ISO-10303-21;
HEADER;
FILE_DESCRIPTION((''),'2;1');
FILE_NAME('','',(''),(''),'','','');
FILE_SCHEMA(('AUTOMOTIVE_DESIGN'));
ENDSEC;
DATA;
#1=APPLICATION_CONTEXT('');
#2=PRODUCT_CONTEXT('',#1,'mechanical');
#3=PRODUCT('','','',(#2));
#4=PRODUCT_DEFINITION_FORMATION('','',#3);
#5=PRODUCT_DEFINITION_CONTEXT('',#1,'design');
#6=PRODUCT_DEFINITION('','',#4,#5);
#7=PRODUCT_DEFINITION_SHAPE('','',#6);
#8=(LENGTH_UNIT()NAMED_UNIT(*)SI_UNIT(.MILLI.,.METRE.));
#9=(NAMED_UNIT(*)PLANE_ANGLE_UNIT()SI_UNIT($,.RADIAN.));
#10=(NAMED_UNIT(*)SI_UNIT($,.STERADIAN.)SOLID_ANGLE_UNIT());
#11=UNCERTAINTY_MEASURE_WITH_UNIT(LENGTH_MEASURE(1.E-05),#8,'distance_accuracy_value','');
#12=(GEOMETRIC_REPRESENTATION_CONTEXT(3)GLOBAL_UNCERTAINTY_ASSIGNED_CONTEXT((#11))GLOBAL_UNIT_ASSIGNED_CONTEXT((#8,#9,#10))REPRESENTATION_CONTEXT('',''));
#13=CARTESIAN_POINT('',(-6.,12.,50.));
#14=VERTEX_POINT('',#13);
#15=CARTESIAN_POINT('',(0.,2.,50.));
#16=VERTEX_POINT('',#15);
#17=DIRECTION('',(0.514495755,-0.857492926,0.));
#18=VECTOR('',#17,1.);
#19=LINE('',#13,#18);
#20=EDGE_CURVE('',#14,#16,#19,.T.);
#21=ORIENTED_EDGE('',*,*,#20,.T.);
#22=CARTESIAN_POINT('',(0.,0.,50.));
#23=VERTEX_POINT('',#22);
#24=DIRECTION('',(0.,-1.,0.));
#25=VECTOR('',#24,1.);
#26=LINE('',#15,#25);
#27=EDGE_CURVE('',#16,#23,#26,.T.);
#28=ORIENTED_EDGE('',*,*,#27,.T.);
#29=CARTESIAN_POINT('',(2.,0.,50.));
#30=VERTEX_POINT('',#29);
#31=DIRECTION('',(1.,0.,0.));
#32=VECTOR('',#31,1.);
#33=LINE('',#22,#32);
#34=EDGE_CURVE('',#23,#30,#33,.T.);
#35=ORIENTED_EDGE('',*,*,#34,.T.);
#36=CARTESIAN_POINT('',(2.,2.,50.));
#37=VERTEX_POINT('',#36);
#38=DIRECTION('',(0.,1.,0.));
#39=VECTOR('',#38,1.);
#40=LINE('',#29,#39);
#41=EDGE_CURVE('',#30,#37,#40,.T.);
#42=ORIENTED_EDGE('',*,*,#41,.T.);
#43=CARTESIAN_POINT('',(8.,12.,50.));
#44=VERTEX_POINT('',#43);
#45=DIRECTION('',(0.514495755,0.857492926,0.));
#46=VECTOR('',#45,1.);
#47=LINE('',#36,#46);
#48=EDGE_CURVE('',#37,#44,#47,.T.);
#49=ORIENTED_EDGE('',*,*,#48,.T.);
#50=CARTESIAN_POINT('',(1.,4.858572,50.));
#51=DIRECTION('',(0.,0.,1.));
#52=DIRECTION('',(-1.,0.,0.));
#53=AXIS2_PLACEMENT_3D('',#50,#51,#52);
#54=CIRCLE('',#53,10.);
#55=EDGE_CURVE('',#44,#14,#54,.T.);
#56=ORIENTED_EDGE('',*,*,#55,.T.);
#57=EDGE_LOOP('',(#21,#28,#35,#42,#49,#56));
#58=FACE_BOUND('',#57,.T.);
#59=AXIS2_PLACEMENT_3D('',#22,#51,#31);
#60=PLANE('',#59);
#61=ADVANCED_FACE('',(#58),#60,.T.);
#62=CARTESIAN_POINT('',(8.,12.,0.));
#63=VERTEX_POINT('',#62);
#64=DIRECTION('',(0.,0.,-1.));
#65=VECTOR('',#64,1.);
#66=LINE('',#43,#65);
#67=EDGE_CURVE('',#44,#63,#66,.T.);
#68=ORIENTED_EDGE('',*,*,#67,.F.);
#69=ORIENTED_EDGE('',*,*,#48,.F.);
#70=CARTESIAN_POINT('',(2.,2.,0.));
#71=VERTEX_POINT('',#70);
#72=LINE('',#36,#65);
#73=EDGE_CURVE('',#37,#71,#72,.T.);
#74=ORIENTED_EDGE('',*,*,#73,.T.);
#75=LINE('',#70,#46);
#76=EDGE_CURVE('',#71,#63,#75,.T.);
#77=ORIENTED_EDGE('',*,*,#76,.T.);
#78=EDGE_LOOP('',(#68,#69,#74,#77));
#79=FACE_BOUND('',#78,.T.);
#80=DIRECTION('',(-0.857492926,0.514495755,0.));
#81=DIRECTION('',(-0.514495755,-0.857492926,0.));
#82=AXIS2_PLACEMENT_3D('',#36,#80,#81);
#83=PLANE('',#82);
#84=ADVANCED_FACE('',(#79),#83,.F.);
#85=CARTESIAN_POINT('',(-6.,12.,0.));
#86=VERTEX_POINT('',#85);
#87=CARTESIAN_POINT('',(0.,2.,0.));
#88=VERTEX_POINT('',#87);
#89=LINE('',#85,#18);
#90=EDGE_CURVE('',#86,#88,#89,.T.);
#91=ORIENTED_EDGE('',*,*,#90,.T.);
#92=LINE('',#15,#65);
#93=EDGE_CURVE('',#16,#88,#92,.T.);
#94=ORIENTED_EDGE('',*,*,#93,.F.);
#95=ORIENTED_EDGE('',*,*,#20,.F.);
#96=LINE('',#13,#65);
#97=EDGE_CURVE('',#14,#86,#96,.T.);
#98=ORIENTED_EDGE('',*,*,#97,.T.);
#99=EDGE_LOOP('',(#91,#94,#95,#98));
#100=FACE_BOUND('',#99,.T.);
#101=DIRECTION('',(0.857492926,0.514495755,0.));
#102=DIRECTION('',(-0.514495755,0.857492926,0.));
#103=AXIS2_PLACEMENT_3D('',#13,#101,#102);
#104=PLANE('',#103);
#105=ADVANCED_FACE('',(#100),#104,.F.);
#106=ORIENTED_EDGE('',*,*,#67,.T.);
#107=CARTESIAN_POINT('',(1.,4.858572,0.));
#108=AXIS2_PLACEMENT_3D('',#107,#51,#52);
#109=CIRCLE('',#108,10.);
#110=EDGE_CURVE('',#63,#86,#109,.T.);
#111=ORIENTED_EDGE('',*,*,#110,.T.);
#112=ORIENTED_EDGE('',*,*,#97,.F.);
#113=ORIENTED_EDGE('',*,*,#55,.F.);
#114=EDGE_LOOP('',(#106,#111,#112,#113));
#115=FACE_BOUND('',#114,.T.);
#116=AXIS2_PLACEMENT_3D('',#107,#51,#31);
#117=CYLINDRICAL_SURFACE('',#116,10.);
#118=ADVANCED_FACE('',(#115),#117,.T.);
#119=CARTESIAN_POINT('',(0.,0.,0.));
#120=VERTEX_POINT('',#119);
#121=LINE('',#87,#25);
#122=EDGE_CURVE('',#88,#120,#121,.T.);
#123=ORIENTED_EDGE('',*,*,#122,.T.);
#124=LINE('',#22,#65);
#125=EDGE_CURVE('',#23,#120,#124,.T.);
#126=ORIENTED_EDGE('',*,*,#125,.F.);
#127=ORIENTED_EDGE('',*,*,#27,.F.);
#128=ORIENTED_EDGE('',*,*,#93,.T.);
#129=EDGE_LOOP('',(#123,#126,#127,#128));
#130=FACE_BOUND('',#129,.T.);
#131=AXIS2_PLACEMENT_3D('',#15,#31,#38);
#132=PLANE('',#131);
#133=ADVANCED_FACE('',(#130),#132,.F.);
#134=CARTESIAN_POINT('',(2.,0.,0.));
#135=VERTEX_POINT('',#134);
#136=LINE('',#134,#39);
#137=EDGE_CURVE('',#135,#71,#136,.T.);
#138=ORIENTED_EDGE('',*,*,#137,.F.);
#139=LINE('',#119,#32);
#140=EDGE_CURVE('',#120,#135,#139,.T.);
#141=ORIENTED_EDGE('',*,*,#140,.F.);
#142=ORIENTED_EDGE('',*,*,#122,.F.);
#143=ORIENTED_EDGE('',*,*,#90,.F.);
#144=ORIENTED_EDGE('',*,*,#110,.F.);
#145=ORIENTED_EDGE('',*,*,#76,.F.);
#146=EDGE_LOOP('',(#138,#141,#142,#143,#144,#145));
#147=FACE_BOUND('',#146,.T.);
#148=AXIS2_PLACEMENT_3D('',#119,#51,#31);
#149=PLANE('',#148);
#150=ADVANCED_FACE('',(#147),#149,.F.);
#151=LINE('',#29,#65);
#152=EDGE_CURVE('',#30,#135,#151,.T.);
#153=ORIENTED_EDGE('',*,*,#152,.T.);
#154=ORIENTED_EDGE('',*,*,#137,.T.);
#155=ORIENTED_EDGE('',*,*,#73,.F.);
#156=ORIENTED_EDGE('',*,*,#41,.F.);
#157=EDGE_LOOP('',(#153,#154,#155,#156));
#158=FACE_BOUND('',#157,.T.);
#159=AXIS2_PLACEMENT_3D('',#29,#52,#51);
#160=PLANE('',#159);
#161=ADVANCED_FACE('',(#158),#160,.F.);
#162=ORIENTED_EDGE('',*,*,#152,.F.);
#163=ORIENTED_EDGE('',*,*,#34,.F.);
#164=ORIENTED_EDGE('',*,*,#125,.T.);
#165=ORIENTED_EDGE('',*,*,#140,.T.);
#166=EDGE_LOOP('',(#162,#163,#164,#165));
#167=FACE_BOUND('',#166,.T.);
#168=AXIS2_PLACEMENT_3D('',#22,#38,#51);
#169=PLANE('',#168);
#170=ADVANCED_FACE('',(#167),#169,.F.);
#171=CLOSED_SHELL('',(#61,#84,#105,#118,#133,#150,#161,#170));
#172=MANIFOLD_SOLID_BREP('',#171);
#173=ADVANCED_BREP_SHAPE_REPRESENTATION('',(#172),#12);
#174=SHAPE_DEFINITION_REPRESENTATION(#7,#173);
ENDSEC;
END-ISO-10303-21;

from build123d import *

# Parameters (mm, degrees)
BOSS_EXTRUDE1_DEPTH = 50
BOSS_EXTRUDE2_DEPTH = 50


with BuildPart() as part:
    # Sketch1 → Boss-Extrude1 (new body)
    with BuildSketch(Plane.XY):
        Polygon((0, 0), (2, 0), (2, 2), (8, 12), (-6, 12), (0, 2), align=None)
    extrude(amount=BOSS_EXTRUDE1_DEPTH)

    # Sketch2 → Boss-Extrude2 (add)
    with BuildSketch(Plane.XY.offset(50)):
        with BuildLine():
            Line((-6, 12), (8, 12))
            ThreePointArc((8, 12), (1, 14.858571571), (-6, 12))
        make_face()
    extrude(amount=-BOSS_EXTRUDE2_DEPTH)


solid = part.part
